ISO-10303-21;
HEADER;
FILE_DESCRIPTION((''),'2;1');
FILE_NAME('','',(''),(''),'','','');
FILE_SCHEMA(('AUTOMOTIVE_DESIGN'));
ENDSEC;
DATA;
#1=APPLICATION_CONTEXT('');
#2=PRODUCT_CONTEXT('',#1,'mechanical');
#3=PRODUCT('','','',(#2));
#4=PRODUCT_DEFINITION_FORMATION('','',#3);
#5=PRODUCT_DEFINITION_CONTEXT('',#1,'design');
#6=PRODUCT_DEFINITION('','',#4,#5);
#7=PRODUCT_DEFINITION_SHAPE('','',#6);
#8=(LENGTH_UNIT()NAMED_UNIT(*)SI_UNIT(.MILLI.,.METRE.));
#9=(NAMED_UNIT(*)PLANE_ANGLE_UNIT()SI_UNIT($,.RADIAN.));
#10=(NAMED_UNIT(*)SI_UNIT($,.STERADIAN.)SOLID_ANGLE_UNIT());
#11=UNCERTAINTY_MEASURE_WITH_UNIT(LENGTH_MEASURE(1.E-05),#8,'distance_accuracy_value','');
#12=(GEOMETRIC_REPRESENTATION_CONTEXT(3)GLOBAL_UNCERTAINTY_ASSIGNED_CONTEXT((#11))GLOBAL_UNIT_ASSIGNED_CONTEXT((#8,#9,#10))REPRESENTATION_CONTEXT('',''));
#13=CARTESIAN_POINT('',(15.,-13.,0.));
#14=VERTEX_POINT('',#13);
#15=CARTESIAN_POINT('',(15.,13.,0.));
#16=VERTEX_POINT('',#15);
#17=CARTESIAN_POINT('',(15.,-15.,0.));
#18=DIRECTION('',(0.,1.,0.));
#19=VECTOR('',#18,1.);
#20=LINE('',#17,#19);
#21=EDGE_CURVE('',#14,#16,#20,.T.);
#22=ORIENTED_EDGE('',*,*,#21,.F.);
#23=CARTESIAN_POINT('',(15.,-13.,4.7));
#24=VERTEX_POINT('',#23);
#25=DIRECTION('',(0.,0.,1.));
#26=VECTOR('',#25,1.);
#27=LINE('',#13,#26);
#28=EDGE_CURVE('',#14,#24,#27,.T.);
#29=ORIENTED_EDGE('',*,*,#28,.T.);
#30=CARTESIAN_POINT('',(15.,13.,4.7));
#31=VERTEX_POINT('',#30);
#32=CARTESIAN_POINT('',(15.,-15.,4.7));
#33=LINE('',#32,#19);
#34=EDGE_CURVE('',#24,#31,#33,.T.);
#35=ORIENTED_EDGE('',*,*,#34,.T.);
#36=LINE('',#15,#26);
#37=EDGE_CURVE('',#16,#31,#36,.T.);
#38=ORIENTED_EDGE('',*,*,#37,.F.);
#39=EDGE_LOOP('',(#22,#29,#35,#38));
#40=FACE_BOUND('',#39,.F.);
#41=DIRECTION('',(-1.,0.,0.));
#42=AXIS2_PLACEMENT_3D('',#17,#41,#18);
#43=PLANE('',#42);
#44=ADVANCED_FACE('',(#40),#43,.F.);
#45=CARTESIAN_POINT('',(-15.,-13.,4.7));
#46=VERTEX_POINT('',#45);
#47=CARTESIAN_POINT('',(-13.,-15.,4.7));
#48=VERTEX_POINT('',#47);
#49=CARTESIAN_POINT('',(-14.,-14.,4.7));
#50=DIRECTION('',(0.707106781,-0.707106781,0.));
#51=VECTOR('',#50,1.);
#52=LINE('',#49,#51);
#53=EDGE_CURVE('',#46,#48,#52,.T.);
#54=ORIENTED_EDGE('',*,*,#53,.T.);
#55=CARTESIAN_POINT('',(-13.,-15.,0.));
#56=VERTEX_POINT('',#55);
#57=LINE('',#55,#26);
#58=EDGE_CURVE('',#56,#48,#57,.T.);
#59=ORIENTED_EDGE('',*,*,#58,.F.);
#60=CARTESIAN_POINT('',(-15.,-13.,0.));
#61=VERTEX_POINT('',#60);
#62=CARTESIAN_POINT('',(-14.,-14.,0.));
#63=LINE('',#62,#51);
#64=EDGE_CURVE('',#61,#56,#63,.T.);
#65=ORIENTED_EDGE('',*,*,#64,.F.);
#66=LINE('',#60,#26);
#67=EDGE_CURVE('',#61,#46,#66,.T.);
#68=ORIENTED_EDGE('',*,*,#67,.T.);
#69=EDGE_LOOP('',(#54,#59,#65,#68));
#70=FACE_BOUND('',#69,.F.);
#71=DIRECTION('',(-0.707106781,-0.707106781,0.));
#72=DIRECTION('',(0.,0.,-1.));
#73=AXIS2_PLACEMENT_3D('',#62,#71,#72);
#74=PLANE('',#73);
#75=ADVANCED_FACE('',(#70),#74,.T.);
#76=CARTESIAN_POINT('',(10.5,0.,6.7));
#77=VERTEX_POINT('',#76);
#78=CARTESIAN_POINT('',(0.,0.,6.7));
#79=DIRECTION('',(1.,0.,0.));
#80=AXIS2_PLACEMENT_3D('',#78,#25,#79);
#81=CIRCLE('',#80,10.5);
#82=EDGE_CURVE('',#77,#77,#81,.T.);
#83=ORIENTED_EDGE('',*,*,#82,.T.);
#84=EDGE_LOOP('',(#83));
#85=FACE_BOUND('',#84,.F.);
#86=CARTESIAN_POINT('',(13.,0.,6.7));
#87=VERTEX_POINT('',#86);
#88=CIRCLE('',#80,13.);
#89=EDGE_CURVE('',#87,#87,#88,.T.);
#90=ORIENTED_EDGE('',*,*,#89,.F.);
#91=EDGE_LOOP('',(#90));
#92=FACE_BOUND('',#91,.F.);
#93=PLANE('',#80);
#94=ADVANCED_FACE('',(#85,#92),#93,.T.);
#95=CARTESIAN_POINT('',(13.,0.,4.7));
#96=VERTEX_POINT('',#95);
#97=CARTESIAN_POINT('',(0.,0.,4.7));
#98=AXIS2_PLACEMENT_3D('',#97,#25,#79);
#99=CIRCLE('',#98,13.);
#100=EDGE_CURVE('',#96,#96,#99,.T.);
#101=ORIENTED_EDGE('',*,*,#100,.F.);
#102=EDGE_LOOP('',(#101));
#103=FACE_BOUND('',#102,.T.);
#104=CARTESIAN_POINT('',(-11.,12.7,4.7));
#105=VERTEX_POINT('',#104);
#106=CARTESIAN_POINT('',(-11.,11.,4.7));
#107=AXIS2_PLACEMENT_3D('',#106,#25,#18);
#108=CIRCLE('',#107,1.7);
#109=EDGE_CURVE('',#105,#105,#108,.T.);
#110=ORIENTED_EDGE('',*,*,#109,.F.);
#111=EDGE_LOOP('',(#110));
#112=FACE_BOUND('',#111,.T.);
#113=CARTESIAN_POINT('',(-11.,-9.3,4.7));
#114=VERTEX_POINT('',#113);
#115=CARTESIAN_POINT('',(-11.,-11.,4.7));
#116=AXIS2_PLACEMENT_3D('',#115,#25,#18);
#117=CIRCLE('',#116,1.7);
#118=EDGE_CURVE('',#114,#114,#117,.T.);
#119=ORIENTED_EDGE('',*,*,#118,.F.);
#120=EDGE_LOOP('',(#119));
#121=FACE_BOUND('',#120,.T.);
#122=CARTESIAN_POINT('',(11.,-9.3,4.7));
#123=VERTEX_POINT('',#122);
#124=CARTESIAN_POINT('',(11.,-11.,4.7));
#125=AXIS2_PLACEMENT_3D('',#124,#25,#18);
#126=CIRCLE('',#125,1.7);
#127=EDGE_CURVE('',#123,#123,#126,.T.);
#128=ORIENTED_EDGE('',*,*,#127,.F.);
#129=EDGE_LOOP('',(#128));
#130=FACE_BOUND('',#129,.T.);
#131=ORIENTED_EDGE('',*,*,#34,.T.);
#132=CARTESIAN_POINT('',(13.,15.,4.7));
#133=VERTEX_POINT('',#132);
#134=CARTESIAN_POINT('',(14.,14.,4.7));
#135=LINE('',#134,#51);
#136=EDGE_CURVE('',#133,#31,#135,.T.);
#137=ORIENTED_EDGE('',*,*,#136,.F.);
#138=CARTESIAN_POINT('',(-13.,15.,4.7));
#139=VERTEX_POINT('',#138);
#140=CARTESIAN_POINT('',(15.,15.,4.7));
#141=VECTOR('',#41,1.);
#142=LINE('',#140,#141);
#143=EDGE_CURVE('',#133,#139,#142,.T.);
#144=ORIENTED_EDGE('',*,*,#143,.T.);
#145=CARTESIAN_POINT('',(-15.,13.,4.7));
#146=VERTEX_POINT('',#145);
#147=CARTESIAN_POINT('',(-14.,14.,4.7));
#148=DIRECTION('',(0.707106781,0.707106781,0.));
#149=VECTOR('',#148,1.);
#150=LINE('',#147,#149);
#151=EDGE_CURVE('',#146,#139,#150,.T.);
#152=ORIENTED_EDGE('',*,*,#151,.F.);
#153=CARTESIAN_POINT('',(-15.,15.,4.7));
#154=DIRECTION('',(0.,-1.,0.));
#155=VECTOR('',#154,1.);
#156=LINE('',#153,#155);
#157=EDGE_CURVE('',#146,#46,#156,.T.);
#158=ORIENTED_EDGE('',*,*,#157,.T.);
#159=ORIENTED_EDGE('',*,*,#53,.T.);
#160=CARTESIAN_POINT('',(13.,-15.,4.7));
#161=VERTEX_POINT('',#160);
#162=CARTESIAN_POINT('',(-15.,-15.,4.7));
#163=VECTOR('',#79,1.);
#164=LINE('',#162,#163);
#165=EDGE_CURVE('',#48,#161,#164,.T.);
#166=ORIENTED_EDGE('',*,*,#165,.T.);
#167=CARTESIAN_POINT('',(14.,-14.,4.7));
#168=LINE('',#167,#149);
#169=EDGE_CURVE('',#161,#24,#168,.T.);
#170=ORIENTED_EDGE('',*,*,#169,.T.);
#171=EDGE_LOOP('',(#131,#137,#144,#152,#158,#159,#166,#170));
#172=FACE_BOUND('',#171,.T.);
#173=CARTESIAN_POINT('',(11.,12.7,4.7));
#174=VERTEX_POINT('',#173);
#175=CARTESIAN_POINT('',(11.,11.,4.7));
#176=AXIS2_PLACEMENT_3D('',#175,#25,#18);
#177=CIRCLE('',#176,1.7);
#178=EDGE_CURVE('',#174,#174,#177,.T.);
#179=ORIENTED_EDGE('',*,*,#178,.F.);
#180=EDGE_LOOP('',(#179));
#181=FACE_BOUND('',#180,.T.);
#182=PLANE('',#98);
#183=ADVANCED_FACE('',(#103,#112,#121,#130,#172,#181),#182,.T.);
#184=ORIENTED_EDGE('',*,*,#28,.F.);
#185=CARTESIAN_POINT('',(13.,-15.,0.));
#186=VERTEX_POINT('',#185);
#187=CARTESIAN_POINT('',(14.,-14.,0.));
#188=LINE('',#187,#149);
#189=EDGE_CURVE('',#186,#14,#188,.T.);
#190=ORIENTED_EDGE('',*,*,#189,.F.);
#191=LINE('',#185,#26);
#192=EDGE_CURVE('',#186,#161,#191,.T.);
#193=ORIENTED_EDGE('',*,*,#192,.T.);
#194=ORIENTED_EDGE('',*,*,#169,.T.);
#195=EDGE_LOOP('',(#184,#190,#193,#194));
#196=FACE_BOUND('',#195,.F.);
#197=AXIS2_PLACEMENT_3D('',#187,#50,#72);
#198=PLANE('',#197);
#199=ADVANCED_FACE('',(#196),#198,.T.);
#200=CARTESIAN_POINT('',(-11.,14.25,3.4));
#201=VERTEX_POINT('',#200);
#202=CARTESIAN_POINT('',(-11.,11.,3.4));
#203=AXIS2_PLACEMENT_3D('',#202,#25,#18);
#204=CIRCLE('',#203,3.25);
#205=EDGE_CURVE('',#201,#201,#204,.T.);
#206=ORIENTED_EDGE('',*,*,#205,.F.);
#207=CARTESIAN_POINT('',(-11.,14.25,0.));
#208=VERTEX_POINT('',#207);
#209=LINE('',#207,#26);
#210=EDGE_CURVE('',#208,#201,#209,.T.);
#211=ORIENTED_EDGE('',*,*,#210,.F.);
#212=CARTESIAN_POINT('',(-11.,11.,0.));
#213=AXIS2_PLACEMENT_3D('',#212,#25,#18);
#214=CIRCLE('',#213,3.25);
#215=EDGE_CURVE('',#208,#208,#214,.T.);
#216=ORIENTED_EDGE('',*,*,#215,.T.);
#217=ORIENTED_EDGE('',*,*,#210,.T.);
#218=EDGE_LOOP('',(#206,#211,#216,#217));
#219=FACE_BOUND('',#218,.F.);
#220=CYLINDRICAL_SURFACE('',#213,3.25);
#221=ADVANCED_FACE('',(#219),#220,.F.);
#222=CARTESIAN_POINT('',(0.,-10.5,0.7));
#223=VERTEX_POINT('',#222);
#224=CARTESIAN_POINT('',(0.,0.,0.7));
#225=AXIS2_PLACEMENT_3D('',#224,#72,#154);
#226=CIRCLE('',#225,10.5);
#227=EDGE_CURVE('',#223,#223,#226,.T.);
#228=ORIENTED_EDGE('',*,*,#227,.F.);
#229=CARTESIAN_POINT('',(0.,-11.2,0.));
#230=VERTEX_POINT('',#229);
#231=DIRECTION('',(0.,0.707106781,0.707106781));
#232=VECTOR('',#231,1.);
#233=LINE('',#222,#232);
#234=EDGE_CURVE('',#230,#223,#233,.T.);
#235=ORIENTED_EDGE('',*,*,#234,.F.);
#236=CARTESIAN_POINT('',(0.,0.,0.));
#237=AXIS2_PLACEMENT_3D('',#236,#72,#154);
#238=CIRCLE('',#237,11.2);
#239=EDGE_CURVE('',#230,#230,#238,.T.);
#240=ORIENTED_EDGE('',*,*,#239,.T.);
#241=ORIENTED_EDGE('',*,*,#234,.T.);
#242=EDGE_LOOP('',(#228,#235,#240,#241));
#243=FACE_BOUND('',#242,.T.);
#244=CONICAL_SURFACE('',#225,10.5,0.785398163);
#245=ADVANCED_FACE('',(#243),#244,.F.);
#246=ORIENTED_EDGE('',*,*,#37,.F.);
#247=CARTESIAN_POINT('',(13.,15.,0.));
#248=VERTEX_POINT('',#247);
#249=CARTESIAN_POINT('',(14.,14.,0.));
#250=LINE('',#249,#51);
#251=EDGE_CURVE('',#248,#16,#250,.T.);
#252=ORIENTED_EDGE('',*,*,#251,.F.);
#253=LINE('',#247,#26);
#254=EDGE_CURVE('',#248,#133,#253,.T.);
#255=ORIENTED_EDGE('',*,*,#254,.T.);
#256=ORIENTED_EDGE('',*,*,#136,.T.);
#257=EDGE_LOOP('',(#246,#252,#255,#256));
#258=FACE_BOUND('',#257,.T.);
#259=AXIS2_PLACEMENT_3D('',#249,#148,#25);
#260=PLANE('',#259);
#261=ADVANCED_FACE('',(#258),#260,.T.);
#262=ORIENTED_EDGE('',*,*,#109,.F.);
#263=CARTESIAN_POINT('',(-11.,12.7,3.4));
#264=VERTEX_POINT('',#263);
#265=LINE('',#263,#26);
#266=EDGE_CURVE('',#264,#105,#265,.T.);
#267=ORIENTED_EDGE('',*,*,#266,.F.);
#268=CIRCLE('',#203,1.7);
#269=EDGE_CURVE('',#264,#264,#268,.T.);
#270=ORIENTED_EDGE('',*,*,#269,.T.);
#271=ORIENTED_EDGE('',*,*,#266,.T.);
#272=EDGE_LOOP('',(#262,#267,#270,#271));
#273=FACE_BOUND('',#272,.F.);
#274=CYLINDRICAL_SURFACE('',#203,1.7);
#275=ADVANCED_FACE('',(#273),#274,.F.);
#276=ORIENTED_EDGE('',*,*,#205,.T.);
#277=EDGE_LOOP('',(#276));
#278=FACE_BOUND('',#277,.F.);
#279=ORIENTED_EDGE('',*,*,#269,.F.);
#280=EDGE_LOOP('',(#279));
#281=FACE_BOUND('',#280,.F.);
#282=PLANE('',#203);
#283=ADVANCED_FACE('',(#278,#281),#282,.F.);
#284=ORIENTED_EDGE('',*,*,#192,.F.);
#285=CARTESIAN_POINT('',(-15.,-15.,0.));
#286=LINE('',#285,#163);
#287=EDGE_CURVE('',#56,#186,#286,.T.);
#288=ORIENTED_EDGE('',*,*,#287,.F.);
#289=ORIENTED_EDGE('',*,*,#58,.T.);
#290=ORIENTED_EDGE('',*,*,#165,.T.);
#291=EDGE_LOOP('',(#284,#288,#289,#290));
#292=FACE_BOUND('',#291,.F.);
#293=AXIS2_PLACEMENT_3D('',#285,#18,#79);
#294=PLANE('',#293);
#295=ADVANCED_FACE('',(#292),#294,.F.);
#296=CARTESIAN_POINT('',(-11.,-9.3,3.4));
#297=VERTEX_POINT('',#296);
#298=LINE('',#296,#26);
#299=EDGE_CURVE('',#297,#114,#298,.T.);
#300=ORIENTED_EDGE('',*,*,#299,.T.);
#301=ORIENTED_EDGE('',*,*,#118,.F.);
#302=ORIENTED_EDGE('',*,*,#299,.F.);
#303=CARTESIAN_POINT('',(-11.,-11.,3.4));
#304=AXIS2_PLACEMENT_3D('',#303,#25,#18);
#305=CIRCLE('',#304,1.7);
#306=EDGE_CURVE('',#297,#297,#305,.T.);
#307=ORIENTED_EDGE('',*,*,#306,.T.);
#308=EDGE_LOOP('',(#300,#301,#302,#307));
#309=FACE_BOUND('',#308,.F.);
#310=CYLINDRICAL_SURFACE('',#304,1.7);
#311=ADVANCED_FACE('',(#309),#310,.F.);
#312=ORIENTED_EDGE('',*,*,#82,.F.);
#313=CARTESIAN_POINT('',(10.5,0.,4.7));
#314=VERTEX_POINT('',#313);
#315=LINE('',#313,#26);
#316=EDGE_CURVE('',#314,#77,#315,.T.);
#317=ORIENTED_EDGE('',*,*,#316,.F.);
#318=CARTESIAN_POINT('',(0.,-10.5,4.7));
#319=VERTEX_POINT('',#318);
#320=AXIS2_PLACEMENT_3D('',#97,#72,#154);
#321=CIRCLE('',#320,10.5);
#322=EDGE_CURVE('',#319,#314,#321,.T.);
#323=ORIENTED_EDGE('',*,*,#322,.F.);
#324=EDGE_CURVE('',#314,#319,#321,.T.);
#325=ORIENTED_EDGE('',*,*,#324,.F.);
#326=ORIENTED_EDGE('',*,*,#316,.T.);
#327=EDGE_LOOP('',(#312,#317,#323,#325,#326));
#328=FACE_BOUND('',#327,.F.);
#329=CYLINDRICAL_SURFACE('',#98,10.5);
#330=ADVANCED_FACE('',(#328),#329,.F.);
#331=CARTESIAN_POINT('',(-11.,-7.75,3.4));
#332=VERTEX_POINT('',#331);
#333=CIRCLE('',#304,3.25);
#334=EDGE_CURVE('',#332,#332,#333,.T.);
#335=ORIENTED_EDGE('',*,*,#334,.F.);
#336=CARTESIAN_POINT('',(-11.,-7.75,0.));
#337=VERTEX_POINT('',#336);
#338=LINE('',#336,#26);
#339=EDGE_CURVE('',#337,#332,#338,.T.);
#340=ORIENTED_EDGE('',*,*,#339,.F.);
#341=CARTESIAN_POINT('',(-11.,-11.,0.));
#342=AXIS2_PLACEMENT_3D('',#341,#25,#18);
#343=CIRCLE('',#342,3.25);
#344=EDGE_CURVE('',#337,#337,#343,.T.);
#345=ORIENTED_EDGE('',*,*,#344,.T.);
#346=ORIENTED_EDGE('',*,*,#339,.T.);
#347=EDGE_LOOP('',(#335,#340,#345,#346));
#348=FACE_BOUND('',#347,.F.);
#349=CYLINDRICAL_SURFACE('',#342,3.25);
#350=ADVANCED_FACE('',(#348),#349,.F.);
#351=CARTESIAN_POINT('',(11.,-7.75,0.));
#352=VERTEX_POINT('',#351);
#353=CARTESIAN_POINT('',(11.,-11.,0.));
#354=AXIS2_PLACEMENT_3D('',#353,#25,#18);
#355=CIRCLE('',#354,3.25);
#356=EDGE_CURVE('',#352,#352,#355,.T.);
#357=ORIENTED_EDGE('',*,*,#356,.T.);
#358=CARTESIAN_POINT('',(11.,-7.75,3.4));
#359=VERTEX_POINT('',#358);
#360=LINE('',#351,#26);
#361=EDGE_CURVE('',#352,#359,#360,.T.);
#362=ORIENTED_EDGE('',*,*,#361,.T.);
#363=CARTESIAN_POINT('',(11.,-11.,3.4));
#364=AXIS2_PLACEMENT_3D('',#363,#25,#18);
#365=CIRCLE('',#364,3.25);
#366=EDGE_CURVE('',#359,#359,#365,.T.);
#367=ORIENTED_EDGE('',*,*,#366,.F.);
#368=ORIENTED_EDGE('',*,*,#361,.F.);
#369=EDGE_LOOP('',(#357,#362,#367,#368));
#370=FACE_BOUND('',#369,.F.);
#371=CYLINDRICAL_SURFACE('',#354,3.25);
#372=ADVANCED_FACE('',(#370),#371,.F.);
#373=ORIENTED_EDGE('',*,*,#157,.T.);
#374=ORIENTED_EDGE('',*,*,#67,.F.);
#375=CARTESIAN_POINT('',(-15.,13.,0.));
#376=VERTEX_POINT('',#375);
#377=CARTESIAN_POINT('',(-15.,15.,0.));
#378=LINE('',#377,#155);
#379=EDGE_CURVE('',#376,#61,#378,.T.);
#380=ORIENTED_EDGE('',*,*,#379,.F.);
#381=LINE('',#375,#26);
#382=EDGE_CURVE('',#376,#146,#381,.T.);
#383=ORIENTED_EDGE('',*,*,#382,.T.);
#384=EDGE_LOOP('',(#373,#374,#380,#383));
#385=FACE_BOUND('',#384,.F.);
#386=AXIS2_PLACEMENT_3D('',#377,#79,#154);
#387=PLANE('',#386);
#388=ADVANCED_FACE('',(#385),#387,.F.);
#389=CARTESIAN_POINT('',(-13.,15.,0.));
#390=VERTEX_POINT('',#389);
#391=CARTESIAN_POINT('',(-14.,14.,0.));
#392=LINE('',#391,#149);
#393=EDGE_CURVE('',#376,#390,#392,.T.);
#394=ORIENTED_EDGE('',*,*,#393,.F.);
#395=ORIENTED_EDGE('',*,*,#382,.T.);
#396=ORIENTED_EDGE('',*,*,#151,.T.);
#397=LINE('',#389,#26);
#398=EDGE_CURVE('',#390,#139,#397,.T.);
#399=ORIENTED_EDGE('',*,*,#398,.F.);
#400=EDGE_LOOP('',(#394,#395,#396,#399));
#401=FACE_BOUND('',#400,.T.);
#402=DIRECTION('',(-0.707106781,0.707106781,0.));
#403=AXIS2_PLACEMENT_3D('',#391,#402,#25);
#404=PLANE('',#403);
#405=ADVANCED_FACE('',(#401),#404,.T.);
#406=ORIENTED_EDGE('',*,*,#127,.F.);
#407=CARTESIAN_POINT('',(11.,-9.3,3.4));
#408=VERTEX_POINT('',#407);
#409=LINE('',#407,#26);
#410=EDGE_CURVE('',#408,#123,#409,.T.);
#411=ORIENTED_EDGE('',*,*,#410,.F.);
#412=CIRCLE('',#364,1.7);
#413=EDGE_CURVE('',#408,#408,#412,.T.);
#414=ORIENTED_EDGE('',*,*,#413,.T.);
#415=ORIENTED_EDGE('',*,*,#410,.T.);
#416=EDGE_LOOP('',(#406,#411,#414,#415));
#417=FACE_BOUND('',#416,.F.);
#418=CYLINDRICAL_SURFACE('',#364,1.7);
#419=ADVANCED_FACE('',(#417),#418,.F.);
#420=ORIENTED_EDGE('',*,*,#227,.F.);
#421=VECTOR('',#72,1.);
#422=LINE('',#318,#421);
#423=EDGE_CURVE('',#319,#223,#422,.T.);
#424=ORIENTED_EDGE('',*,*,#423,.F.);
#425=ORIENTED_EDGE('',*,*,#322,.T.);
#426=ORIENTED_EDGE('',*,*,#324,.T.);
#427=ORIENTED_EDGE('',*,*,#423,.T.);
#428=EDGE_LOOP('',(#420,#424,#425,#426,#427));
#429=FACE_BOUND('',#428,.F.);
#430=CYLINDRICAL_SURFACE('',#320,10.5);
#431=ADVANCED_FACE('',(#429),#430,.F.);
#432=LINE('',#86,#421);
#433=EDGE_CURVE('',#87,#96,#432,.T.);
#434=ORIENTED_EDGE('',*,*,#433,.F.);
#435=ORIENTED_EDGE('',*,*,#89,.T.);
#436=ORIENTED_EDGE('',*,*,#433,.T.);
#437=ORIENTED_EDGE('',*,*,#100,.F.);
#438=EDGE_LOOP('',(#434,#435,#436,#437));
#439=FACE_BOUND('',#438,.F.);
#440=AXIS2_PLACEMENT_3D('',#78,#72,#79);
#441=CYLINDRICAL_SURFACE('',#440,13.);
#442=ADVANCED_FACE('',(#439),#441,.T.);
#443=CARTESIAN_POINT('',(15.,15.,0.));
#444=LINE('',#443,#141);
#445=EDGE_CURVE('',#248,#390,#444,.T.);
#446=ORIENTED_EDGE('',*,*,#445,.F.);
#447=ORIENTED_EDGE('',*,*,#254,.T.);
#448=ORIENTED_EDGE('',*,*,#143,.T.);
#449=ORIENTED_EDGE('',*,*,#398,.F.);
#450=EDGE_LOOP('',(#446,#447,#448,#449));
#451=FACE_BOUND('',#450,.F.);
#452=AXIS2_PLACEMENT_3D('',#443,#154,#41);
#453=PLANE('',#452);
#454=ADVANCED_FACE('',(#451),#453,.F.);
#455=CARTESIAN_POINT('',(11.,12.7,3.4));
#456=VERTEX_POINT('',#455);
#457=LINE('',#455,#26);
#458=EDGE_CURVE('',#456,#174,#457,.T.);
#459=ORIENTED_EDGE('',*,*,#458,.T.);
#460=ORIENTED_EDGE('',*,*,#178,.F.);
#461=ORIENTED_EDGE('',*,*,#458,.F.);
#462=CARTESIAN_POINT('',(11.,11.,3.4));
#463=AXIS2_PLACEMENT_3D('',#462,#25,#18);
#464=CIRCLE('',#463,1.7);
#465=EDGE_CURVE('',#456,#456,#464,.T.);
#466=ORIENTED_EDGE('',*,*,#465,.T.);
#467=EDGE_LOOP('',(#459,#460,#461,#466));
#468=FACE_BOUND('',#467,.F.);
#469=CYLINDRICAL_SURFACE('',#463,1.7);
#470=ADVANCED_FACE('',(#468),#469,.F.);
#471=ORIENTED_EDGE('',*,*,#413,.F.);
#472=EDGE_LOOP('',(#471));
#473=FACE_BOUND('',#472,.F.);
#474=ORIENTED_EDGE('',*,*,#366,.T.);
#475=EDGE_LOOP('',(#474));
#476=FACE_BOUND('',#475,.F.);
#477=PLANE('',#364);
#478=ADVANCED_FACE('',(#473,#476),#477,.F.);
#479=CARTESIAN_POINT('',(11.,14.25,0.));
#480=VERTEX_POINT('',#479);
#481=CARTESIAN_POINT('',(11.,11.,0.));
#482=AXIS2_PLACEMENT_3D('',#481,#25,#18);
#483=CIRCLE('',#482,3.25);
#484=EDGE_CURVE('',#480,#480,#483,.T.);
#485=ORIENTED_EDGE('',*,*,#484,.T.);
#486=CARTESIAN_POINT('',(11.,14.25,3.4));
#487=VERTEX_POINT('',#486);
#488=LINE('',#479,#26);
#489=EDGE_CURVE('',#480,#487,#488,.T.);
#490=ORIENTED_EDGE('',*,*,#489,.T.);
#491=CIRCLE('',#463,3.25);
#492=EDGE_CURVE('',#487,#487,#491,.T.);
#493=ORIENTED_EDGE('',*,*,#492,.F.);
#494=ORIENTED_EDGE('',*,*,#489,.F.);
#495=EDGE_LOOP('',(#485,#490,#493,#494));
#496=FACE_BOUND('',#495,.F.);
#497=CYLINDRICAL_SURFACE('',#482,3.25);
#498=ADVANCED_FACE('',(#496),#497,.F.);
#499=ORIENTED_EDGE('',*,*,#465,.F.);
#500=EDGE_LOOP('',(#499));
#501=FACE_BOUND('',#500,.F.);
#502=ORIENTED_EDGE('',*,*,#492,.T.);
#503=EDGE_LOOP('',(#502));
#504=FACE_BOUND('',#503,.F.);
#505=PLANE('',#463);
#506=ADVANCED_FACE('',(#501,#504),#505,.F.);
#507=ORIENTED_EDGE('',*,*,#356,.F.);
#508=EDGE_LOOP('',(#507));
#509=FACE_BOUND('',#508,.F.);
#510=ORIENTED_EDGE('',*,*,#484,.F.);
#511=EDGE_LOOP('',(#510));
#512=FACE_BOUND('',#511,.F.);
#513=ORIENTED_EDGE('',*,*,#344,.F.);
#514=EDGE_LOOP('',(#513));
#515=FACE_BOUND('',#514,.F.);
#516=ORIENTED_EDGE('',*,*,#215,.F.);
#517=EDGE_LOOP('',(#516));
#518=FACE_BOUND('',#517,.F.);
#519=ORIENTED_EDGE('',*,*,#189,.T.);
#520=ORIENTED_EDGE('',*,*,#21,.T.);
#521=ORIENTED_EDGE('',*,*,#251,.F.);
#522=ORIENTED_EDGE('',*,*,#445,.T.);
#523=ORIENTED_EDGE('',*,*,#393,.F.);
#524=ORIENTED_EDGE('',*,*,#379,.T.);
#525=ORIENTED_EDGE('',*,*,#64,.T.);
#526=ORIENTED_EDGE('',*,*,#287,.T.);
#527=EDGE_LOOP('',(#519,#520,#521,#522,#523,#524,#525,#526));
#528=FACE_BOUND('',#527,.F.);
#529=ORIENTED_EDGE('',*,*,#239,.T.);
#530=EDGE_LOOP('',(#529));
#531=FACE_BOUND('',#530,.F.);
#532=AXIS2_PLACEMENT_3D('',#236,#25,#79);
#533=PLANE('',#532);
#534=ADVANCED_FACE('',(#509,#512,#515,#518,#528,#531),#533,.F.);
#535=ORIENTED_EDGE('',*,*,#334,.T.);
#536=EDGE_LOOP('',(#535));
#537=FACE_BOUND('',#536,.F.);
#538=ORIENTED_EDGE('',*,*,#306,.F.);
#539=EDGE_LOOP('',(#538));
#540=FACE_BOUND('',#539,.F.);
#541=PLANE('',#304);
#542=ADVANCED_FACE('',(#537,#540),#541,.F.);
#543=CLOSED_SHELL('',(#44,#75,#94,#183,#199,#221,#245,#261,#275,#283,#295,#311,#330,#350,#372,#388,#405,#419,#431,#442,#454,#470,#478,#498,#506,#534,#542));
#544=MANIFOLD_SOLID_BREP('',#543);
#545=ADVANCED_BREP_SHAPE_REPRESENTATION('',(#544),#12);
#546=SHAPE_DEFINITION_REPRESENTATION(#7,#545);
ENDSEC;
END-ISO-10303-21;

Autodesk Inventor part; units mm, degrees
ref_plane "YZ Plane" through (0, 0, 0) normal (1, 0, 0) x (0, 1, 0)
ref_plane "XZ Plane" through (0, 0, 0) normal (0, 1, 0) x (-1, 0, 0)
ref_plane "XY Plane" through (0, 0, 0) normal (0, 0, 1) x (1, 0, 0)
sketch "Sketch1" plane through (0, 0, 0) normal (0, 0, 1) x (1, 0, 0)
  line L0 (-15, -15) -> (15, -15)
  line L1 (15, -15) -> (15, 15)
  line L2 (15, 15) -> (-15, 15)
  line L3 (-15, 15) -> (-15, -15)
  line L4 (-15, -15) -> (15, 15) construction
  line L5 (15, -15) -> (-15, 15) construction
  point P0 (0, 0)
  dimension "d0" = 30
  dimension "d1" = 30
extrude "Extrusion1" add sketch "Sketch1" along normal blind 4.7
sketch "Sketch2" plane through (0, 0, 4.7) normal (0, 0, 1) x (1, 0, 0)
  point P0 (0, 0)
hole "Hole1" at (0, 0, 4.7) direction (0, 0, -1) diameter 21 end through all
sketch "Sketch3" plane through (0, 0, 0) normal (0, 1, 0) x (-1, 0, 0)
  line L0 (-10.5, 6.7) -> (-13, 6.7)
  line L1 (-13, 6.7) -> (-13, 4.7)
  line L2 (-13, 4.7) -> (-10.5, 4.7)
  line L3 (-10.5, 4.7) -> (-10.5, 6.7)
  line L4 (-15, 4.7) -> (15, 4.7) projected
  line L5 (-10.5, 0) -> (-10.5, 4.7) projected
  line L6 (0, 0) -> (0, 4.7)
  line L7 (10.5, 0) -> (-10.5, 0) projected
  dimension "d13" = 26
  dimension "d15" = 2
revolve "Revolution1" add sketch "Sketch3" angle 360 about axis through (0, 0, 0) along (0, 0, 1) contours L3 L2 L1 L0
sketch "Sketch4" plane through (0, 0, 0) normal (0, 0, -1) x (-1, 0, 0)
  line L0 (-11, -11) -> (11, -11)
  line L1 (11, -11) -> (11, 11)
  line L2 (11, 11) -> (-11, 11)
  line L3 (-11, 11) -> (-11, -11)
  line L4 (-11, -11) -> (11, 11) construction
  line L5 (11, -11) -> (-11, 11) construction
  point P0 (0, 0)
  point P1 (0, 0)
  dimension "d17" = 22
hole "Hole2" at (11, 11, 0) at (-11, 11, 0) at (-11, -11, 0) at (11, -11, 0) direction (0, 0, 1) diameter 3.4 end through all counterbore diameter 6.5 counterbore depth 3.4
chamfer "Chamfer1" distance 2 angle 45 4 edges at (15, -15, 2.35) (15, 15, 2.35) (-15, 15, 2.35) (-15, -15, 2.35)
chamfer "Chamfer2" distance 0.7 angle 45 1 edges at (0, 10.5, 0)
properties part number "Festlager Deckel" material "Aluminum 6061"
